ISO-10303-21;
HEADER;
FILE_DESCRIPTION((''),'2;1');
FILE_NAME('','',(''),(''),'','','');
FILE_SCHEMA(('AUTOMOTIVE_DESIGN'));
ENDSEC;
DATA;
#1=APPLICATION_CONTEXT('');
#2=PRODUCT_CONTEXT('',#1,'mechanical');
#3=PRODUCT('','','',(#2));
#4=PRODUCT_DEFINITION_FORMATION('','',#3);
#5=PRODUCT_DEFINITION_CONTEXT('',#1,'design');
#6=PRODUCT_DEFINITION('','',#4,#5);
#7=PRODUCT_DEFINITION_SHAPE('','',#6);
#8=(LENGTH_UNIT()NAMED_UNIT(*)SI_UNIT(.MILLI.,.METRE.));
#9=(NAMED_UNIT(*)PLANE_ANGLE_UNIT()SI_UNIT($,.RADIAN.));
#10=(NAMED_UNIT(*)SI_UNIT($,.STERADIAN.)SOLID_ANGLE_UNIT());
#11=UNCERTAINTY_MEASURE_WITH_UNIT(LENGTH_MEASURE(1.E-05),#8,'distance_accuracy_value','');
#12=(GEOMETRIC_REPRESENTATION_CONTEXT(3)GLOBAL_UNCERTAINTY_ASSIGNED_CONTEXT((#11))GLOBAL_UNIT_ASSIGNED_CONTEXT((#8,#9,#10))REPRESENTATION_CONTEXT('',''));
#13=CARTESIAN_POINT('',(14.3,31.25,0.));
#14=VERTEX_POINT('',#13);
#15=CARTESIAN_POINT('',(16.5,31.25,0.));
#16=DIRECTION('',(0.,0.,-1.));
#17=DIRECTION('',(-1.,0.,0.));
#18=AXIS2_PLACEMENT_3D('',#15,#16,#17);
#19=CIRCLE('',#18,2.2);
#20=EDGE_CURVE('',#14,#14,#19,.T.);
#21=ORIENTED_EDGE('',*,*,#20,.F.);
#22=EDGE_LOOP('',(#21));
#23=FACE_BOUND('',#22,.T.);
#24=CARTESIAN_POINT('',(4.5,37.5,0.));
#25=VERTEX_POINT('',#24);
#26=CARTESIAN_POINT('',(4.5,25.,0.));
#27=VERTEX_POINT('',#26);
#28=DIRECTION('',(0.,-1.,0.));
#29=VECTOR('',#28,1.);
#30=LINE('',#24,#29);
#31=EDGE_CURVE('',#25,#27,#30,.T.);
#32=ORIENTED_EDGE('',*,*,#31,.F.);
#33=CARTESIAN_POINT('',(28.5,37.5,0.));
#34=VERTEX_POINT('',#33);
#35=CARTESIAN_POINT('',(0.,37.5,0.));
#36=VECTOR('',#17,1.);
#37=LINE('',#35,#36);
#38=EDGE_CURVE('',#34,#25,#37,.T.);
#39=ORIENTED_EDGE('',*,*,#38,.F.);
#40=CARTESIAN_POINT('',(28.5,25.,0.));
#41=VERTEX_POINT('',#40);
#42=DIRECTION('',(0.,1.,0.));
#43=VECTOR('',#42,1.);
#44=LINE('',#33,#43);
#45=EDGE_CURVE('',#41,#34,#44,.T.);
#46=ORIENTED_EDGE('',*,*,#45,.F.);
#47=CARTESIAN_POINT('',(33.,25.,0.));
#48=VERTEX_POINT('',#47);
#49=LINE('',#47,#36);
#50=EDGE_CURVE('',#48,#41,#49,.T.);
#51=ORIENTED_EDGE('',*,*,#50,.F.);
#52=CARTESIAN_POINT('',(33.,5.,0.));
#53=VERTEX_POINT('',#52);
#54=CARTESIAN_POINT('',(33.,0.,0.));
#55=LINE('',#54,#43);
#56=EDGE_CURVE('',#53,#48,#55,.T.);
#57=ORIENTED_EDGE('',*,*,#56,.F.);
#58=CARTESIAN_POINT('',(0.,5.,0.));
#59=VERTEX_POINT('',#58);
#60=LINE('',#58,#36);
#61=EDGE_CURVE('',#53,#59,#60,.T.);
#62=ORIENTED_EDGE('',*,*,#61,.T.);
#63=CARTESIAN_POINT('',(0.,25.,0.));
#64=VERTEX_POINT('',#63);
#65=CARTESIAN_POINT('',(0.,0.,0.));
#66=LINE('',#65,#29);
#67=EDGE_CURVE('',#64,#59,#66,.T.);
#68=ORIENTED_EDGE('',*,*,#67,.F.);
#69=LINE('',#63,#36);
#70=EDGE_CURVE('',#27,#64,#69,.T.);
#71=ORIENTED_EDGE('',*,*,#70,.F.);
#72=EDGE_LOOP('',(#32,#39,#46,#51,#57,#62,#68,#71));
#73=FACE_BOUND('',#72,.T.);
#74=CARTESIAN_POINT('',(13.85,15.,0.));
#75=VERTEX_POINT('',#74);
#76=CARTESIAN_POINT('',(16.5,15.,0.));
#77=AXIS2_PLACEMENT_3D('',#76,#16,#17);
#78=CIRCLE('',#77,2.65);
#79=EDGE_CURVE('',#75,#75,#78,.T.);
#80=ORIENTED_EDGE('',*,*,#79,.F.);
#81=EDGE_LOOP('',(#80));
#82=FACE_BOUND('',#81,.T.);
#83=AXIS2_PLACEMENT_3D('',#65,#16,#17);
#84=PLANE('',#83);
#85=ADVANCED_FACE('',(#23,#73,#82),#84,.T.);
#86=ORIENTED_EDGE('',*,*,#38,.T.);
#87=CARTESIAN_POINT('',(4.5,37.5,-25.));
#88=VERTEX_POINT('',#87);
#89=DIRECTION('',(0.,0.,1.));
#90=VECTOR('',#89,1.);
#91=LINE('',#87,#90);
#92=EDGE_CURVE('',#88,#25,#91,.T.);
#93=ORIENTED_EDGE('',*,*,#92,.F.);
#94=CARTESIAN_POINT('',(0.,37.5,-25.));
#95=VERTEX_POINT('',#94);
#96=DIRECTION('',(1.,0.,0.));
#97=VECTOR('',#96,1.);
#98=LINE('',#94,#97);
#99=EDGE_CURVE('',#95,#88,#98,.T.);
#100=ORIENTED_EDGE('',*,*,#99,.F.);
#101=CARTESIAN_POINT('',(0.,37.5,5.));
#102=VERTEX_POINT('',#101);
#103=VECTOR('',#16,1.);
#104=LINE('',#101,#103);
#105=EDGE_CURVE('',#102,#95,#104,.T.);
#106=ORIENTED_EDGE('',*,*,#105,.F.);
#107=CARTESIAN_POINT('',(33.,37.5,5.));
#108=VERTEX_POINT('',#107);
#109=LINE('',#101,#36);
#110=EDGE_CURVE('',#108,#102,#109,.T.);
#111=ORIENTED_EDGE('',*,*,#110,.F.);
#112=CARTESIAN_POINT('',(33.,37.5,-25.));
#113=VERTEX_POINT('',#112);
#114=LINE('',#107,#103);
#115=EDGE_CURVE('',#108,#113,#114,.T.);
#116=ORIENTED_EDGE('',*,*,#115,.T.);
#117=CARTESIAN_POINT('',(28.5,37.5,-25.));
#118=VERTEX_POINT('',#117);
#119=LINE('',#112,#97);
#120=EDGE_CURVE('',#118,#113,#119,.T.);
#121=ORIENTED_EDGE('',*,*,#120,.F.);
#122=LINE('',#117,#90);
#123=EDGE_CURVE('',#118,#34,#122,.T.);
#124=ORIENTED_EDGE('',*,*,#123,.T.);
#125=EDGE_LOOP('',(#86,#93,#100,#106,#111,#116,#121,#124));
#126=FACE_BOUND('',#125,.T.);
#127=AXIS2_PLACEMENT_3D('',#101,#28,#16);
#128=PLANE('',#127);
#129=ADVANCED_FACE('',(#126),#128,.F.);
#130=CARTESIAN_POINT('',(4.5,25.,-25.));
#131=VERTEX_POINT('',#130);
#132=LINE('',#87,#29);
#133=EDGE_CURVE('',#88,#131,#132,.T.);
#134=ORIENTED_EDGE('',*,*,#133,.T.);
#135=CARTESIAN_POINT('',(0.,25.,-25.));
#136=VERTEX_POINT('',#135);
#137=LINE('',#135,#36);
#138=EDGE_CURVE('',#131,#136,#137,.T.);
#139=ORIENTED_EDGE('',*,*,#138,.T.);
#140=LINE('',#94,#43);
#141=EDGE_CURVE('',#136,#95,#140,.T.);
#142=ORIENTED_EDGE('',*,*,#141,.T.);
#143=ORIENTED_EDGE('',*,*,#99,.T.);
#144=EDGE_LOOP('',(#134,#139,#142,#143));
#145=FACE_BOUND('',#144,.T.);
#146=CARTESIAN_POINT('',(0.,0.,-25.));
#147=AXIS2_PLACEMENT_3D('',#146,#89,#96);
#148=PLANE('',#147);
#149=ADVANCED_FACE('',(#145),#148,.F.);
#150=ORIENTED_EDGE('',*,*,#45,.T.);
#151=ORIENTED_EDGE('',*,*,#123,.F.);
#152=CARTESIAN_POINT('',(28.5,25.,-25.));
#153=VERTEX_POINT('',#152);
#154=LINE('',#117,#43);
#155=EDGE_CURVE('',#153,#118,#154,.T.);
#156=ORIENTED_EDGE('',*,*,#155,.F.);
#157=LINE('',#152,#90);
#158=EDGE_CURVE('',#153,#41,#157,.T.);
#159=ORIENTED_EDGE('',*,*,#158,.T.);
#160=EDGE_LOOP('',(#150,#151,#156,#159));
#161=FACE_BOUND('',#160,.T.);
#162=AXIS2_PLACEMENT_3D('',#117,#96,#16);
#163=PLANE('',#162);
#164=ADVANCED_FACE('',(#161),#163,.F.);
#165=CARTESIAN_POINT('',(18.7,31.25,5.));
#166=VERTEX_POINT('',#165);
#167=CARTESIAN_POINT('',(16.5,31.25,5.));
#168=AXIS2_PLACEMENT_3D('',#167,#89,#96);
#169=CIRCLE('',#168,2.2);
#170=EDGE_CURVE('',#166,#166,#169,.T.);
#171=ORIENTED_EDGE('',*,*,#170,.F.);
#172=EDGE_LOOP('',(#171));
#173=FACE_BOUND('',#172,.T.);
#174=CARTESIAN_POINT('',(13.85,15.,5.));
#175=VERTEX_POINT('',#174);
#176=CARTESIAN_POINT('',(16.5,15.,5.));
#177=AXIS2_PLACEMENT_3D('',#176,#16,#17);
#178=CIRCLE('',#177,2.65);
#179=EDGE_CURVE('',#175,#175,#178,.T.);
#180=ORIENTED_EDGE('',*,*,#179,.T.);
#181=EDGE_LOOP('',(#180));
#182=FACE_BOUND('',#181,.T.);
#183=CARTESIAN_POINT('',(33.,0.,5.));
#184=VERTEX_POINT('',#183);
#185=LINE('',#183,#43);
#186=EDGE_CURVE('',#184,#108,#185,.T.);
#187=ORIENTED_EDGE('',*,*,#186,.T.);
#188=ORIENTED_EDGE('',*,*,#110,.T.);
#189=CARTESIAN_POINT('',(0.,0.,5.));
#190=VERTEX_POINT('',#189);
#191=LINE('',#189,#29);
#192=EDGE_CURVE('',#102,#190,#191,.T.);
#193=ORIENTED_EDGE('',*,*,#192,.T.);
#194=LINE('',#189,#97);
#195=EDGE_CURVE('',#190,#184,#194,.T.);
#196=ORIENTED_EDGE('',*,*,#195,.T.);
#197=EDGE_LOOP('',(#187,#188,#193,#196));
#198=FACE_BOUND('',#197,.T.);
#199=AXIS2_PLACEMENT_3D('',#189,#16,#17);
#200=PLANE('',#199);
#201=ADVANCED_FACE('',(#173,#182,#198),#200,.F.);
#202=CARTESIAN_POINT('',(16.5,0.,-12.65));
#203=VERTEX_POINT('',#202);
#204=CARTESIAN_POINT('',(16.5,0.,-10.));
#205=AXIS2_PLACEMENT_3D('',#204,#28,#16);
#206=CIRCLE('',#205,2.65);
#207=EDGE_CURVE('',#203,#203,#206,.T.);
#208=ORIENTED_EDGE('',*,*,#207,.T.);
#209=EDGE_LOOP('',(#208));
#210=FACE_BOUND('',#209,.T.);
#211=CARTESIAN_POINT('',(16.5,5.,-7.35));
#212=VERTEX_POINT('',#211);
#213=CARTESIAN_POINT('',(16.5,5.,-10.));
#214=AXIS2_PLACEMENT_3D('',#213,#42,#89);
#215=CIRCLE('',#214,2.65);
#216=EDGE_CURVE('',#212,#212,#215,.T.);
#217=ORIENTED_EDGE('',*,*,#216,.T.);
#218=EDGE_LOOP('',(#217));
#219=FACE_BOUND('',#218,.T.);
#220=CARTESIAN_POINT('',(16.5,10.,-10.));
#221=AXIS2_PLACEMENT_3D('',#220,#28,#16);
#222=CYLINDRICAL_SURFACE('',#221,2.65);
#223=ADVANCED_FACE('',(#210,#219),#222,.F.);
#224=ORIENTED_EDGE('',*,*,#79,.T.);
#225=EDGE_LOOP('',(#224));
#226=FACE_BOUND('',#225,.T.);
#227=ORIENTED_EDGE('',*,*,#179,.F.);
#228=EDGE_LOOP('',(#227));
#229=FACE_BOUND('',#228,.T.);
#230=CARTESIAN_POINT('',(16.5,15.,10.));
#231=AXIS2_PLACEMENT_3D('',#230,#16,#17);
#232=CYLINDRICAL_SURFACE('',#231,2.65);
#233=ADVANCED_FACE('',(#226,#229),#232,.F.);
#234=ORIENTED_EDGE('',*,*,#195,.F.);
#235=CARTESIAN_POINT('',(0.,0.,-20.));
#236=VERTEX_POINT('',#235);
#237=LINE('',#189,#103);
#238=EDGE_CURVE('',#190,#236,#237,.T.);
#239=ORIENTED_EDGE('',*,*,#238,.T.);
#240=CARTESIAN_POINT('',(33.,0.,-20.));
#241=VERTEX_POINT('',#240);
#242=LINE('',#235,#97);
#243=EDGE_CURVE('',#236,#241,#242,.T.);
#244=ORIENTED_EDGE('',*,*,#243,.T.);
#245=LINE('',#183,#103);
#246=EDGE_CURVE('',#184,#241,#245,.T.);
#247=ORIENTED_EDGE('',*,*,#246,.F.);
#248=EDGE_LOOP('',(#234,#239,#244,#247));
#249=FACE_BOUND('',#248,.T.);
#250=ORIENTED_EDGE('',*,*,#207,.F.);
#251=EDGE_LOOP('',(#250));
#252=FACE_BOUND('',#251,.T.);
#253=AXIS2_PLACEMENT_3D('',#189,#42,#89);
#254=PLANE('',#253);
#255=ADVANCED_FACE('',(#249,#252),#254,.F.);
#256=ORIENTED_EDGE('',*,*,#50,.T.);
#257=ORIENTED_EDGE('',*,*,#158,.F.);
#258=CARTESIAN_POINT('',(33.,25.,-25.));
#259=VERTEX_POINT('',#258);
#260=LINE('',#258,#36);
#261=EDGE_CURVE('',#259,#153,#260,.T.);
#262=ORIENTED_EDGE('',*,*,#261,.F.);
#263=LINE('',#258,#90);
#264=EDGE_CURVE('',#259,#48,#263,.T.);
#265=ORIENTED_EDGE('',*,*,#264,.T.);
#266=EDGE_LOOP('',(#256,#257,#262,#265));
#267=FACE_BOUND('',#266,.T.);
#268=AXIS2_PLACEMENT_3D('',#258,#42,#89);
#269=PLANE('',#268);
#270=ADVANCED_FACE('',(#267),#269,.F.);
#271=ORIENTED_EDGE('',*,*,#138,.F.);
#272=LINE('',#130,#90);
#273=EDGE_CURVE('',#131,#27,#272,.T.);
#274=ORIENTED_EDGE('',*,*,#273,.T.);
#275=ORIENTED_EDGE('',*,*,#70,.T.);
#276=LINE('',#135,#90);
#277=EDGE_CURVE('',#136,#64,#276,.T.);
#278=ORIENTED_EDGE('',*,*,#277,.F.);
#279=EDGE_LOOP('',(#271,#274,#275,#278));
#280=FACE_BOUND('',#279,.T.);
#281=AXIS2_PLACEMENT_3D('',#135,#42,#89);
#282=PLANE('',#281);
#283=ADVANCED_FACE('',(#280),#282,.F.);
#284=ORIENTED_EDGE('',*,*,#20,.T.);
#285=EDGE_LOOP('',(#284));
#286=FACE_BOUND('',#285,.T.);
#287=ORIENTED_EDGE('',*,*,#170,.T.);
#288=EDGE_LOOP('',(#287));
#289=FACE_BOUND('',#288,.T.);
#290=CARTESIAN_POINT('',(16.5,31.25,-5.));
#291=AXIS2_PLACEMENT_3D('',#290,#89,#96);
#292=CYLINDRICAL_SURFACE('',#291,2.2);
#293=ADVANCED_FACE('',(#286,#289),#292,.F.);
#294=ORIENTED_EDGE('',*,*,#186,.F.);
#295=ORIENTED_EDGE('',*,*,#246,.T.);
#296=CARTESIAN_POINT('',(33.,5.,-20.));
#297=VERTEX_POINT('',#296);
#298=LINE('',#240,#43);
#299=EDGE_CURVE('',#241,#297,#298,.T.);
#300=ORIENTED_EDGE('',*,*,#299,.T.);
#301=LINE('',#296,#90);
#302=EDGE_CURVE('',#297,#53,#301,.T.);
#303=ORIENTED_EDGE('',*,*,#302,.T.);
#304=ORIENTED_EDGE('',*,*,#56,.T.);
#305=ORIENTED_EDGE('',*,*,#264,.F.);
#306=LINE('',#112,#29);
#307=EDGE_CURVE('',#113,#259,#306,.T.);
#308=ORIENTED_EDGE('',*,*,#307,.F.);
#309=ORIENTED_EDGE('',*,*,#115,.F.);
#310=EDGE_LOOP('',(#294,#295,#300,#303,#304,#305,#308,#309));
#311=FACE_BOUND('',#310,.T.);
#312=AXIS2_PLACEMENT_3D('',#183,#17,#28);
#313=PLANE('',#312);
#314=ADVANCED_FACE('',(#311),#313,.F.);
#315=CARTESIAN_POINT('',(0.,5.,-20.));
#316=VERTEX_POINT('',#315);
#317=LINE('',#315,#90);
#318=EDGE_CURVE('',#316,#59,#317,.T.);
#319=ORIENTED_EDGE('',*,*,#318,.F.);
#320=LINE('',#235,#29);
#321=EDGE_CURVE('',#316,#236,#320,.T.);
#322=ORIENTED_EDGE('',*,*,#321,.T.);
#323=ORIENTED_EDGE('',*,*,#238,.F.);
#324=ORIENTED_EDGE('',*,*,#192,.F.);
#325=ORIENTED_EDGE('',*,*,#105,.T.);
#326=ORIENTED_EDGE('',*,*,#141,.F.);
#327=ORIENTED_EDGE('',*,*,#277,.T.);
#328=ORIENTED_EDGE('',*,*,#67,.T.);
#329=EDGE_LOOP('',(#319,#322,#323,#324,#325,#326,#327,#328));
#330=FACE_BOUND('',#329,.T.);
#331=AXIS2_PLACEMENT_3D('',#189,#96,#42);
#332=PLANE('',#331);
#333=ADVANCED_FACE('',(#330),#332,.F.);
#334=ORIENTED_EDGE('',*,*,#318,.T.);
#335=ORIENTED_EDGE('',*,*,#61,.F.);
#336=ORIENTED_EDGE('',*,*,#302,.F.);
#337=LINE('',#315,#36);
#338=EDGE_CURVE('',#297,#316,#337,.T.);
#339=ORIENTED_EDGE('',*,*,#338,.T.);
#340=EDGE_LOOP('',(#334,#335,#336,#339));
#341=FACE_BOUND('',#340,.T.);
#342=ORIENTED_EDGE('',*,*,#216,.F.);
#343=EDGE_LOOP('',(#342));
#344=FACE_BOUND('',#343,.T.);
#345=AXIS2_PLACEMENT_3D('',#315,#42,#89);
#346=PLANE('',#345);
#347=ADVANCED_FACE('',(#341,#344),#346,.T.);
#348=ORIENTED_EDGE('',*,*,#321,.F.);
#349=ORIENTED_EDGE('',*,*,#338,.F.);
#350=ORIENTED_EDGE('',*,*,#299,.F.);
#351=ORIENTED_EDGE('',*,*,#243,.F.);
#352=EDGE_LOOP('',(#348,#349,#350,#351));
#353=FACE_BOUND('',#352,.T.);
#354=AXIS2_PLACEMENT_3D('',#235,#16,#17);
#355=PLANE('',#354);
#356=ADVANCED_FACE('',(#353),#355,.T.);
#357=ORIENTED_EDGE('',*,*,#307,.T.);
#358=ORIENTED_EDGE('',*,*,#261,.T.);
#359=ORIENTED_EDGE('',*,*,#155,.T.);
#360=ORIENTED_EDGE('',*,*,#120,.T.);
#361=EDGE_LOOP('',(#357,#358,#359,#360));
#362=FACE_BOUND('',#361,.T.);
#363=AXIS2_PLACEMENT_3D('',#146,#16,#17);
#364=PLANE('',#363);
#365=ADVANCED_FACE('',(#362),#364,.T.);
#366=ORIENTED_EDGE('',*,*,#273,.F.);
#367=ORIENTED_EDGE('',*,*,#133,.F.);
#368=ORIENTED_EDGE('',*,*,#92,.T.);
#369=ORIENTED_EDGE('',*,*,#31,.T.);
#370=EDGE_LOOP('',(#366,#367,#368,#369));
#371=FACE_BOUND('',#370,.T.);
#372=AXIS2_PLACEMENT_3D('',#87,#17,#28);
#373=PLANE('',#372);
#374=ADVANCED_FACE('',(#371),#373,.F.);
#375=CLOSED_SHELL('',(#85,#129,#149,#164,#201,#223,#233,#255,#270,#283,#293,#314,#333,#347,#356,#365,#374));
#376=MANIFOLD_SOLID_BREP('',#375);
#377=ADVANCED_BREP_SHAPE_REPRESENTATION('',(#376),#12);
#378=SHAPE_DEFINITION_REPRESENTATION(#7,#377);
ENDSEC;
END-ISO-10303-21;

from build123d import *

# Parameters (mm, degrees)
SKETCH2_W           = 33
SKETCH2_H           = 37.5
BOSS_EXTRUDE1_DEPTH = 5
SKETCH3_W           = 33
SKETCH3_H           = 5
BOSS_EXTRUDE2_DEPTH = 20
SKETCH6_R           = 2.65
CUT_EXTRUDE2_DEPTH  = 10
SKETCH7_R           = 2.65
CUT_EXTRUDE3_DEPTH  = 10
SKETCH8_W           = 4.5
SKETCH8_H           = 12.5
BOSS_EXTRUDE3_DEPTH = 25
SKETCH9_R           = 2.2
CUT_EXTRUDE4_DEPTH  = 10


with BuildPart() as part:
    # Sketch2 → Boss-Extrude1 (new body)
    with BuildSketch(Plane.XY):
        with Locations((16.5, 18.75)):
            Rectangle(SKETCH2_W, SKETCH2_H)
    extrude(amount=BOSS_EXTRUDE1_DEPTH)

    # Sketch3 → Boss-Extrude2 (add)
    with BuildSketch(Plane.XY):
        with Locations((16.5, 2.5)):
            Rectangle(SKETCH3_W, SKETCH3_H)
    extrude(amount=-BOSS_EXTRUDE2_DEPTH)

    # Sketch6 → Cut-Extrude2 (cut)
    with BuildSketch(Plane.XZ):
        with Locations(Location((16.5, -10, 0), (0, 0, 270))):
            Circle(SKETCH6_R)
    extrude(amount=-CUT_EXTRUDE2_DEPTH, mode=Mode.SUBTRACT)

    # Sketch7 → Cut-Extrude3 (cut)
    with BuildSketch(Plane(origin=(0, 0, 0), x_dir=(-1, 0, 0), z_dir=(0, 0, -1))):
        with Locations((-16.5, 15)):
            Circle(SKETCH7_R)
    extrude(amount=-CUT_EXTRUDE3_DEPTH, mode=Mode.SUBTRACT)

    # Sketch8 → Boss-Extrude3 (add)
    with BuildSketch(Plane(origin=(0, 0, 0), x_dir=(-1, 0, 0), z_dir=(0, 0, -1))):
        with Locations((-30.75, 31.25)):
            Rectangle(SKETCH8_W, SKETCH8_H)
        with Locations((-2.25, 31.25)):
            Rectangle(SKETCH8_W, SKETCH8_H)
    extrude(amount=BOSS_EXTRUDE3_DEPTH)

    # Sketch9 → Cut-Extrude4 (cut)
    with BuildSketch(Plane.XY.offset(5)):
        with Locations((16.5, 31.25)):
            Circle(SKETCH9_R)
    extrude(amount=-CUT_EXTRUDE4_DEPTH, mode=Mode.SUBTRACT)


solid = part.part
